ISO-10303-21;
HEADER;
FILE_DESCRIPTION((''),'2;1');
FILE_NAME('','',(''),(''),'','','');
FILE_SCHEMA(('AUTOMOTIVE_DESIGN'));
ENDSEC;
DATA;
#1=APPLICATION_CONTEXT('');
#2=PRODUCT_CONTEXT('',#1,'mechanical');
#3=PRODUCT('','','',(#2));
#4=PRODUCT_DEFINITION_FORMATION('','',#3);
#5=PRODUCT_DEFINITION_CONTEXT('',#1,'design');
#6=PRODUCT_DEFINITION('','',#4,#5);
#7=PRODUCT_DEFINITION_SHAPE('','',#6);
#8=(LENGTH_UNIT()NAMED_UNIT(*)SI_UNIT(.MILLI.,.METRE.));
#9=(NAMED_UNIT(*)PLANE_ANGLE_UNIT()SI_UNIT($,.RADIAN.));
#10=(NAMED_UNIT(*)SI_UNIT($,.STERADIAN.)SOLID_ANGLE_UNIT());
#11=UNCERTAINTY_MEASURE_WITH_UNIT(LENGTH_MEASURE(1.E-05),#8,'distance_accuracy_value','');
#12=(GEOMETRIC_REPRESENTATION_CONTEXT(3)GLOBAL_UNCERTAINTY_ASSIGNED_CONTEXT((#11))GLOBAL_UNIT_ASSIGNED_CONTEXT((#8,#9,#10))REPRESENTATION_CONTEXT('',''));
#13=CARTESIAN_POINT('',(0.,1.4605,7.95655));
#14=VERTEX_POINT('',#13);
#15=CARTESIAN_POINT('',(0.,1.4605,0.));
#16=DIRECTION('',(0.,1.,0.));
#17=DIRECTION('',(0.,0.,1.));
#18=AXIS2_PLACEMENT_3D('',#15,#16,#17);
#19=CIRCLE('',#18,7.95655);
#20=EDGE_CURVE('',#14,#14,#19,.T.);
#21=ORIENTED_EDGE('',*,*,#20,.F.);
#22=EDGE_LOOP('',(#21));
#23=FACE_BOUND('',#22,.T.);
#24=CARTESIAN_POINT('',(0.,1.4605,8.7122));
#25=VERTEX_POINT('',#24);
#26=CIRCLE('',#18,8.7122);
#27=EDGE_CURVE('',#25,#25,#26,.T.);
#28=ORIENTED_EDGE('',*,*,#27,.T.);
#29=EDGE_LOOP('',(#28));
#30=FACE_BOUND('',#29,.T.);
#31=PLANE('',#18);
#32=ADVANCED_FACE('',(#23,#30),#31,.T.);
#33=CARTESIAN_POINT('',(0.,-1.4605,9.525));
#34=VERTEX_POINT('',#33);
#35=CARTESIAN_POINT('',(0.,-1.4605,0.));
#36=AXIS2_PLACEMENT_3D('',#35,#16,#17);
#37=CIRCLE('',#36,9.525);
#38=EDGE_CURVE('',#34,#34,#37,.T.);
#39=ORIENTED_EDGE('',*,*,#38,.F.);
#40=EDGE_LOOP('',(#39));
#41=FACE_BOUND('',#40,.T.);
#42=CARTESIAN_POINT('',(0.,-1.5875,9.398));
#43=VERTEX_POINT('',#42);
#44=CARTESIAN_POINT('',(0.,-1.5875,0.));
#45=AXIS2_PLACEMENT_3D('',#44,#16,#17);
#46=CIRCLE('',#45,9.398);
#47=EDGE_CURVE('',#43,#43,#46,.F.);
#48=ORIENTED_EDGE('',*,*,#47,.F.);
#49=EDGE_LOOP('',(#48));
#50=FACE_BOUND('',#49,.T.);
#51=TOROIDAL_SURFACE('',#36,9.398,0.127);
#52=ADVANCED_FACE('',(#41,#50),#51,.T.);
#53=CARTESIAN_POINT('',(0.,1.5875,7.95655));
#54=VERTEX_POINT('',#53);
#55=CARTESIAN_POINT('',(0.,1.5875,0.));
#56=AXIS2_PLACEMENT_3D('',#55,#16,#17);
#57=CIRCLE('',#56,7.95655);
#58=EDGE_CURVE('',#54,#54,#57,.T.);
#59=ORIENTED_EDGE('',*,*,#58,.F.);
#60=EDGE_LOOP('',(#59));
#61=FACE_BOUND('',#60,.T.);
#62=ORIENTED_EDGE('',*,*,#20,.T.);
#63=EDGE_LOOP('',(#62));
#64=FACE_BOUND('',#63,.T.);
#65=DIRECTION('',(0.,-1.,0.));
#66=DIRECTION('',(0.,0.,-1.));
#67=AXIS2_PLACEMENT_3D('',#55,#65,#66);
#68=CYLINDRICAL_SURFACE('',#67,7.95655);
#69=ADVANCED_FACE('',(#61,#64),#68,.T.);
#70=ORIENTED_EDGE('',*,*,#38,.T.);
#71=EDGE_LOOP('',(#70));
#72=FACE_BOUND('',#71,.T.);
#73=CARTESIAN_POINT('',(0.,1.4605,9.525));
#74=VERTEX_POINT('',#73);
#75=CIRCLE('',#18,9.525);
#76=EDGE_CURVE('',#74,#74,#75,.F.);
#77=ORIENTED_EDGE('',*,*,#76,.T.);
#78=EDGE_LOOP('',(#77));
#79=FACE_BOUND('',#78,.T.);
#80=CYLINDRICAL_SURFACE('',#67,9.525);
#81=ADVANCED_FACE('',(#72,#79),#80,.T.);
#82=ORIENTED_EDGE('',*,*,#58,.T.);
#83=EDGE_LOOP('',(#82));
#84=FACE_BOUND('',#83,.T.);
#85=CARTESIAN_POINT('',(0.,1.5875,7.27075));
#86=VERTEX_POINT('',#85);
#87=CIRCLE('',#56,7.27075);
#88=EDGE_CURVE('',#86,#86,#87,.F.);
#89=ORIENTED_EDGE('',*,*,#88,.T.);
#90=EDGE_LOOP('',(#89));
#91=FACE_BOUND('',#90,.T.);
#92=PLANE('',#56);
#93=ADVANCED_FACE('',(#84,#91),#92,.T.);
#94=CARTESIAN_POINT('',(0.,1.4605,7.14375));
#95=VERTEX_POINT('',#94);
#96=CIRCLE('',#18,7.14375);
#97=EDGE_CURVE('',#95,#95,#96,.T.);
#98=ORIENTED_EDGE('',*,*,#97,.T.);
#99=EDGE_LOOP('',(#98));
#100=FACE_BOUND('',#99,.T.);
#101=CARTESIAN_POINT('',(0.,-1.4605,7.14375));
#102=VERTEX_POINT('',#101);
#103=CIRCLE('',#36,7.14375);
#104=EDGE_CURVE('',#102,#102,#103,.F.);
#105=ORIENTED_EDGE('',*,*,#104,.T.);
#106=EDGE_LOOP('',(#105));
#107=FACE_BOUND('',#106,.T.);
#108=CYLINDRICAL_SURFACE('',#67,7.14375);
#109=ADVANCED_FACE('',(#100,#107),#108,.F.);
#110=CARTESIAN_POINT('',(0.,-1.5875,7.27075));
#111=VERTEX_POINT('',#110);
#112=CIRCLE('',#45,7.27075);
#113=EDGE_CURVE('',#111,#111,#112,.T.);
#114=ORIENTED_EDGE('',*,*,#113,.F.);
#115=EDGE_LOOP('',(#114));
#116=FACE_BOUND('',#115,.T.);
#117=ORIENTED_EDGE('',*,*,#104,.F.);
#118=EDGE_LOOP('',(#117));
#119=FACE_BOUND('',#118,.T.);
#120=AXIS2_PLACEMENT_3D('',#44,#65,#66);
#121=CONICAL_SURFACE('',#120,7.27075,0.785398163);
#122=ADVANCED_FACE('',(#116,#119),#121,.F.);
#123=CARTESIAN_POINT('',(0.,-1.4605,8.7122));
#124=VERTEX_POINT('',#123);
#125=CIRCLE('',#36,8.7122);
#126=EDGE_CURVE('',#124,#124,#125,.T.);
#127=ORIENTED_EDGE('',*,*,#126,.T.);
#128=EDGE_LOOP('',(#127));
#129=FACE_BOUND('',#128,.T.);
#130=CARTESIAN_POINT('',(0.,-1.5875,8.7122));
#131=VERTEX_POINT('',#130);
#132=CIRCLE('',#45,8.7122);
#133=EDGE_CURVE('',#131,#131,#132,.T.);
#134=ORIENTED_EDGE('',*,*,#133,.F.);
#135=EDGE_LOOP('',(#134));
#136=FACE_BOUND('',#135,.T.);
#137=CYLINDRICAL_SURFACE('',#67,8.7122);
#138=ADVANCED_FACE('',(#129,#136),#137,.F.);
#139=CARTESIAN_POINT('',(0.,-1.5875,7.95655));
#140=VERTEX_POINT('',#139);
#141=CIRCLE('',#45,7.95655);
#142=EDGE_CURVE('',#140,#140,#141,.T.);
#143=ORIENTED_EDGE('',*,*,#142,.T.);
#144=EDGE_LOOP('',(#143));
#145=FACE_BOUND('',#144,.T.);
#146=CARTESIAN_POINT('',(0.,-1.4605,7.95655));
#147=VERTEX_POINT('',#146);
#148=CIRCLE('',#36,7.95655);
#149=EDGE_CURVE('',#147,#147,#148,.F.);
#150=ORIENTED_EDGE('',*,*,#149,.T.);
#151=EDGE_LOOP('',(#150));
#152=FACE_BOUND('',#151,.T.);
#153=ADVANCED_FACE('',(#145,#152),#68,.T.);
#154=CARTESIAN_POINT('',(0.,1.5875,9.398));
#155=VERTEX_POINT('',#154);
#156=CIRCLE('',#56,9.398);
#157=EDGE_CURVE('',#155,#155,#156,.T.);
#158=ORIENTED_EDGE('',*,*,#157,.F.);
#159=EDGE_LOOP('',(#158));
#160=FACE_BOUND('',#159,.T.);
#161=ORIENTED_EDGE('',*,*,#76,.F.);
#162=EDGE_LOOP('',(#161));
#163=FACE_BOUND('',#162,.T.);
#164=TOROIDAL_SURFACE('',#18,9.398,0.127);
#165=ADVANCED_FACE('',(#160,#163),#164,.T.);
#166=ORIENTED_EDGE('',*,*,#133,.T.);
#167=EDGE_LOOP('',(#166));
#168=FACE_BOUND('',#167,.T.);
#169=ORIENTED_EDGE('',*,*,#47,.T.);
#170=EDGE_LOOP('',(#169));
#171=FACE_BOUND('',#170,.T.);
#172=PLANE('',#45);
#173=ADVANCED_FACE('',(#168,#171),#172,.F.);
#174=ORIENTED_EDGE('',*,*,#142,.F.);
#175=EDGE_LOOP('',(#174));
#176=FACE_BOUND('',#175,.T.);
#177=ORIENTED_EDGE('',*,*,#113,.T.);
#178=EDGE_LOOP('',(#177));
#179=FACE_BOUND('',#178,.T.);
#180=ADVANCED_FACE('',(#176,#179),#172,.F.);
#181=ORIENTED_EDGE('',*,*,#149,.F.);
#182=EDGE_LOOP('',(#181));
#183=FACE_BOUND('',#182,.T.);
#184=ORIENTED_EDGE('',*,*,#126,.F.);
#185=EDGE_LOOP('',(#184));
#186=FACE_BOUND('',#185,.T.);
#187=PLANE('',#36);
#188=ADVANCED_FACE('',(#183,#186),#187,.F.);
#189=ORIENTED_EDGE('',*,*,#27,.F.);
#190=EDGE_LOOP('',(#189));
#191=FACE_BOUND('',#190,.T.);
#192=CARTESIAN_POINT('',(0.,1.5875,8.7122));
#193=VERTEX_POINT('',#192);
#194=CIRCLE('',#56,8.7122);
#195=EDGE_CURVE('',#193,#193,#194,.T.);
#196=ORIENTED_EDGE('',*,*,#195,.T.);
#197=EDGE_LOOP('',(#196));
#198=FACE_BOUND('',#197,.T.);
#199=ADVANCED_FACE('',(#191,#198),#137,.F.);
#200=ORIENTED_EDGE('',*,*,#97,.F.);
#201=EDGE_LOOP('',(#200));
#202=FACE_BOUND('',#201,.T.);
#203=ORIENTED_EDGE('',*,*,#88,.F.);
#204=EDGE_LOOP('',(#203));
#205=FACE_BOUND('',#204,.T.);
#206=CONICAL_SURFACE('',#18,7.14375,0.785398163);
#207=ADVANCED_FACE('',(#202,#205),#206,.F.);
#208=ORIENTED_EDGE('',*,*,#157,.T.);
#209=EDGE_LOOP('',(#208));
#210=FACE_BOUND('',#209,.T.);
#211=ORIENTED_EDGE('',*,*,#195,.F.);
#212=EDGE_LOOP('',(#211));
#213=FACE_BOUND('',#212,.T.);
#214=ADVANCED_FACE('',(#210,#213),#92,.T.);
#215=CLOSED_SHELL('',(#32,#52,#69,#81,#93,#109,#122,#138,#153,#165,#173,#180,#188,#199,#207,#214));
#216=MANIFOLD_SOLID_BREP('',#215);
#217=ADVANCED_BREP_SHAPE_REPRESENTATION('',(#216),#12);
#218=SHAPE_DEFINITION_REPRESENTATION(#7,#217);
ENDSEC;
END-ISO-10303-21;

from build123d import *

# Parameters (mm, degrees)
SKETCH1_R             = 9.525
SKETCH1_R_2           = 8.7122
BOSS_EXTRUDE1_DEPTH   = 1.5875
SKETCH1_R_3           = 7.95655
SKETCH1_R_4           = 7.14375
BOSS_EXTRUDE1_2_DEPTH = 1.5875
FILLET1_R             = 0.127
CHAMFER1_SIZE         = 0.127
SKETCH2_R             = 8.7122
SKETCH2_R_2           = 7.95655
BOSS_EXTRUDE2_DEPTH   = 1.4605


with BuildPart() as part:
    # Sketch1 → Boss-Extrude1 (new body, symmetric)
    with BuildSketch(Plane(origin=(0, 0, 0), x_dir=(1, 0, 0), z_dir=(0, 1, 0))):
        Circle(SKETCH1_R)
        Circle(SKETCH1_R_2, mode=Mode.SUBTRACT)
    extrude(amount=BOSS_EXTRUDE1_DEPTH, both=True)

    # Fillet1
    fillet1_edges = [part.edges().sort_by_distance(p)[0] for p in [
        (-9.525, -1.5875, 0),
        (-9.525, 1.5875, 0),
    ]]
    fillet(fillet1_edges, radius=FILLET1_R)



with BuildPart() as body_2:
    # Sketch1 → Boss-Extrude1 2 (new body, symmetric)
    with BuildSketch(Plane(origin=(0, 0, 0), x_dir=(1, 0, 0), z_dir=(0, 1, 0))):
        Circle(SKETCH1_R_3)
        Circle(SKETCH1_R_4, mode=Mode.SUBTRACT)
    extrude(amount=BOSS_EXTRUDE1_2_DEPTH, both=True)

    # Chamfer1
    chamfer1_edges = [body_2.edges().sort_by_distance(p)[0] for p in [
        (-7.14375, -1.5875, 0),
        (-7.14375, 1.5875, 0),
    ]]
    chamfer(chamfer1_edges, length=CHAMFER1_SIZE)


with BuildPart() as part_1:
    add(part.part)

    add(body_2.part)  # Boss-Extrude2 merges body 2
    # Sketch2 → Boss-Extrude2 (add, symmetric)
    with BuildSketch(Plane(origin=(0, 0, 0), x_dir=(1, 0, 0), z_dir=(0, 1, 0))):
        Circle(SKETCH2_R)
        Circle(SKETCH2_R_2, mode=Mode.SUBTRACT)
    extrude(amount=BOSS_EXTRUDE2_DEPTH, both=True)


solid = part_1.part
